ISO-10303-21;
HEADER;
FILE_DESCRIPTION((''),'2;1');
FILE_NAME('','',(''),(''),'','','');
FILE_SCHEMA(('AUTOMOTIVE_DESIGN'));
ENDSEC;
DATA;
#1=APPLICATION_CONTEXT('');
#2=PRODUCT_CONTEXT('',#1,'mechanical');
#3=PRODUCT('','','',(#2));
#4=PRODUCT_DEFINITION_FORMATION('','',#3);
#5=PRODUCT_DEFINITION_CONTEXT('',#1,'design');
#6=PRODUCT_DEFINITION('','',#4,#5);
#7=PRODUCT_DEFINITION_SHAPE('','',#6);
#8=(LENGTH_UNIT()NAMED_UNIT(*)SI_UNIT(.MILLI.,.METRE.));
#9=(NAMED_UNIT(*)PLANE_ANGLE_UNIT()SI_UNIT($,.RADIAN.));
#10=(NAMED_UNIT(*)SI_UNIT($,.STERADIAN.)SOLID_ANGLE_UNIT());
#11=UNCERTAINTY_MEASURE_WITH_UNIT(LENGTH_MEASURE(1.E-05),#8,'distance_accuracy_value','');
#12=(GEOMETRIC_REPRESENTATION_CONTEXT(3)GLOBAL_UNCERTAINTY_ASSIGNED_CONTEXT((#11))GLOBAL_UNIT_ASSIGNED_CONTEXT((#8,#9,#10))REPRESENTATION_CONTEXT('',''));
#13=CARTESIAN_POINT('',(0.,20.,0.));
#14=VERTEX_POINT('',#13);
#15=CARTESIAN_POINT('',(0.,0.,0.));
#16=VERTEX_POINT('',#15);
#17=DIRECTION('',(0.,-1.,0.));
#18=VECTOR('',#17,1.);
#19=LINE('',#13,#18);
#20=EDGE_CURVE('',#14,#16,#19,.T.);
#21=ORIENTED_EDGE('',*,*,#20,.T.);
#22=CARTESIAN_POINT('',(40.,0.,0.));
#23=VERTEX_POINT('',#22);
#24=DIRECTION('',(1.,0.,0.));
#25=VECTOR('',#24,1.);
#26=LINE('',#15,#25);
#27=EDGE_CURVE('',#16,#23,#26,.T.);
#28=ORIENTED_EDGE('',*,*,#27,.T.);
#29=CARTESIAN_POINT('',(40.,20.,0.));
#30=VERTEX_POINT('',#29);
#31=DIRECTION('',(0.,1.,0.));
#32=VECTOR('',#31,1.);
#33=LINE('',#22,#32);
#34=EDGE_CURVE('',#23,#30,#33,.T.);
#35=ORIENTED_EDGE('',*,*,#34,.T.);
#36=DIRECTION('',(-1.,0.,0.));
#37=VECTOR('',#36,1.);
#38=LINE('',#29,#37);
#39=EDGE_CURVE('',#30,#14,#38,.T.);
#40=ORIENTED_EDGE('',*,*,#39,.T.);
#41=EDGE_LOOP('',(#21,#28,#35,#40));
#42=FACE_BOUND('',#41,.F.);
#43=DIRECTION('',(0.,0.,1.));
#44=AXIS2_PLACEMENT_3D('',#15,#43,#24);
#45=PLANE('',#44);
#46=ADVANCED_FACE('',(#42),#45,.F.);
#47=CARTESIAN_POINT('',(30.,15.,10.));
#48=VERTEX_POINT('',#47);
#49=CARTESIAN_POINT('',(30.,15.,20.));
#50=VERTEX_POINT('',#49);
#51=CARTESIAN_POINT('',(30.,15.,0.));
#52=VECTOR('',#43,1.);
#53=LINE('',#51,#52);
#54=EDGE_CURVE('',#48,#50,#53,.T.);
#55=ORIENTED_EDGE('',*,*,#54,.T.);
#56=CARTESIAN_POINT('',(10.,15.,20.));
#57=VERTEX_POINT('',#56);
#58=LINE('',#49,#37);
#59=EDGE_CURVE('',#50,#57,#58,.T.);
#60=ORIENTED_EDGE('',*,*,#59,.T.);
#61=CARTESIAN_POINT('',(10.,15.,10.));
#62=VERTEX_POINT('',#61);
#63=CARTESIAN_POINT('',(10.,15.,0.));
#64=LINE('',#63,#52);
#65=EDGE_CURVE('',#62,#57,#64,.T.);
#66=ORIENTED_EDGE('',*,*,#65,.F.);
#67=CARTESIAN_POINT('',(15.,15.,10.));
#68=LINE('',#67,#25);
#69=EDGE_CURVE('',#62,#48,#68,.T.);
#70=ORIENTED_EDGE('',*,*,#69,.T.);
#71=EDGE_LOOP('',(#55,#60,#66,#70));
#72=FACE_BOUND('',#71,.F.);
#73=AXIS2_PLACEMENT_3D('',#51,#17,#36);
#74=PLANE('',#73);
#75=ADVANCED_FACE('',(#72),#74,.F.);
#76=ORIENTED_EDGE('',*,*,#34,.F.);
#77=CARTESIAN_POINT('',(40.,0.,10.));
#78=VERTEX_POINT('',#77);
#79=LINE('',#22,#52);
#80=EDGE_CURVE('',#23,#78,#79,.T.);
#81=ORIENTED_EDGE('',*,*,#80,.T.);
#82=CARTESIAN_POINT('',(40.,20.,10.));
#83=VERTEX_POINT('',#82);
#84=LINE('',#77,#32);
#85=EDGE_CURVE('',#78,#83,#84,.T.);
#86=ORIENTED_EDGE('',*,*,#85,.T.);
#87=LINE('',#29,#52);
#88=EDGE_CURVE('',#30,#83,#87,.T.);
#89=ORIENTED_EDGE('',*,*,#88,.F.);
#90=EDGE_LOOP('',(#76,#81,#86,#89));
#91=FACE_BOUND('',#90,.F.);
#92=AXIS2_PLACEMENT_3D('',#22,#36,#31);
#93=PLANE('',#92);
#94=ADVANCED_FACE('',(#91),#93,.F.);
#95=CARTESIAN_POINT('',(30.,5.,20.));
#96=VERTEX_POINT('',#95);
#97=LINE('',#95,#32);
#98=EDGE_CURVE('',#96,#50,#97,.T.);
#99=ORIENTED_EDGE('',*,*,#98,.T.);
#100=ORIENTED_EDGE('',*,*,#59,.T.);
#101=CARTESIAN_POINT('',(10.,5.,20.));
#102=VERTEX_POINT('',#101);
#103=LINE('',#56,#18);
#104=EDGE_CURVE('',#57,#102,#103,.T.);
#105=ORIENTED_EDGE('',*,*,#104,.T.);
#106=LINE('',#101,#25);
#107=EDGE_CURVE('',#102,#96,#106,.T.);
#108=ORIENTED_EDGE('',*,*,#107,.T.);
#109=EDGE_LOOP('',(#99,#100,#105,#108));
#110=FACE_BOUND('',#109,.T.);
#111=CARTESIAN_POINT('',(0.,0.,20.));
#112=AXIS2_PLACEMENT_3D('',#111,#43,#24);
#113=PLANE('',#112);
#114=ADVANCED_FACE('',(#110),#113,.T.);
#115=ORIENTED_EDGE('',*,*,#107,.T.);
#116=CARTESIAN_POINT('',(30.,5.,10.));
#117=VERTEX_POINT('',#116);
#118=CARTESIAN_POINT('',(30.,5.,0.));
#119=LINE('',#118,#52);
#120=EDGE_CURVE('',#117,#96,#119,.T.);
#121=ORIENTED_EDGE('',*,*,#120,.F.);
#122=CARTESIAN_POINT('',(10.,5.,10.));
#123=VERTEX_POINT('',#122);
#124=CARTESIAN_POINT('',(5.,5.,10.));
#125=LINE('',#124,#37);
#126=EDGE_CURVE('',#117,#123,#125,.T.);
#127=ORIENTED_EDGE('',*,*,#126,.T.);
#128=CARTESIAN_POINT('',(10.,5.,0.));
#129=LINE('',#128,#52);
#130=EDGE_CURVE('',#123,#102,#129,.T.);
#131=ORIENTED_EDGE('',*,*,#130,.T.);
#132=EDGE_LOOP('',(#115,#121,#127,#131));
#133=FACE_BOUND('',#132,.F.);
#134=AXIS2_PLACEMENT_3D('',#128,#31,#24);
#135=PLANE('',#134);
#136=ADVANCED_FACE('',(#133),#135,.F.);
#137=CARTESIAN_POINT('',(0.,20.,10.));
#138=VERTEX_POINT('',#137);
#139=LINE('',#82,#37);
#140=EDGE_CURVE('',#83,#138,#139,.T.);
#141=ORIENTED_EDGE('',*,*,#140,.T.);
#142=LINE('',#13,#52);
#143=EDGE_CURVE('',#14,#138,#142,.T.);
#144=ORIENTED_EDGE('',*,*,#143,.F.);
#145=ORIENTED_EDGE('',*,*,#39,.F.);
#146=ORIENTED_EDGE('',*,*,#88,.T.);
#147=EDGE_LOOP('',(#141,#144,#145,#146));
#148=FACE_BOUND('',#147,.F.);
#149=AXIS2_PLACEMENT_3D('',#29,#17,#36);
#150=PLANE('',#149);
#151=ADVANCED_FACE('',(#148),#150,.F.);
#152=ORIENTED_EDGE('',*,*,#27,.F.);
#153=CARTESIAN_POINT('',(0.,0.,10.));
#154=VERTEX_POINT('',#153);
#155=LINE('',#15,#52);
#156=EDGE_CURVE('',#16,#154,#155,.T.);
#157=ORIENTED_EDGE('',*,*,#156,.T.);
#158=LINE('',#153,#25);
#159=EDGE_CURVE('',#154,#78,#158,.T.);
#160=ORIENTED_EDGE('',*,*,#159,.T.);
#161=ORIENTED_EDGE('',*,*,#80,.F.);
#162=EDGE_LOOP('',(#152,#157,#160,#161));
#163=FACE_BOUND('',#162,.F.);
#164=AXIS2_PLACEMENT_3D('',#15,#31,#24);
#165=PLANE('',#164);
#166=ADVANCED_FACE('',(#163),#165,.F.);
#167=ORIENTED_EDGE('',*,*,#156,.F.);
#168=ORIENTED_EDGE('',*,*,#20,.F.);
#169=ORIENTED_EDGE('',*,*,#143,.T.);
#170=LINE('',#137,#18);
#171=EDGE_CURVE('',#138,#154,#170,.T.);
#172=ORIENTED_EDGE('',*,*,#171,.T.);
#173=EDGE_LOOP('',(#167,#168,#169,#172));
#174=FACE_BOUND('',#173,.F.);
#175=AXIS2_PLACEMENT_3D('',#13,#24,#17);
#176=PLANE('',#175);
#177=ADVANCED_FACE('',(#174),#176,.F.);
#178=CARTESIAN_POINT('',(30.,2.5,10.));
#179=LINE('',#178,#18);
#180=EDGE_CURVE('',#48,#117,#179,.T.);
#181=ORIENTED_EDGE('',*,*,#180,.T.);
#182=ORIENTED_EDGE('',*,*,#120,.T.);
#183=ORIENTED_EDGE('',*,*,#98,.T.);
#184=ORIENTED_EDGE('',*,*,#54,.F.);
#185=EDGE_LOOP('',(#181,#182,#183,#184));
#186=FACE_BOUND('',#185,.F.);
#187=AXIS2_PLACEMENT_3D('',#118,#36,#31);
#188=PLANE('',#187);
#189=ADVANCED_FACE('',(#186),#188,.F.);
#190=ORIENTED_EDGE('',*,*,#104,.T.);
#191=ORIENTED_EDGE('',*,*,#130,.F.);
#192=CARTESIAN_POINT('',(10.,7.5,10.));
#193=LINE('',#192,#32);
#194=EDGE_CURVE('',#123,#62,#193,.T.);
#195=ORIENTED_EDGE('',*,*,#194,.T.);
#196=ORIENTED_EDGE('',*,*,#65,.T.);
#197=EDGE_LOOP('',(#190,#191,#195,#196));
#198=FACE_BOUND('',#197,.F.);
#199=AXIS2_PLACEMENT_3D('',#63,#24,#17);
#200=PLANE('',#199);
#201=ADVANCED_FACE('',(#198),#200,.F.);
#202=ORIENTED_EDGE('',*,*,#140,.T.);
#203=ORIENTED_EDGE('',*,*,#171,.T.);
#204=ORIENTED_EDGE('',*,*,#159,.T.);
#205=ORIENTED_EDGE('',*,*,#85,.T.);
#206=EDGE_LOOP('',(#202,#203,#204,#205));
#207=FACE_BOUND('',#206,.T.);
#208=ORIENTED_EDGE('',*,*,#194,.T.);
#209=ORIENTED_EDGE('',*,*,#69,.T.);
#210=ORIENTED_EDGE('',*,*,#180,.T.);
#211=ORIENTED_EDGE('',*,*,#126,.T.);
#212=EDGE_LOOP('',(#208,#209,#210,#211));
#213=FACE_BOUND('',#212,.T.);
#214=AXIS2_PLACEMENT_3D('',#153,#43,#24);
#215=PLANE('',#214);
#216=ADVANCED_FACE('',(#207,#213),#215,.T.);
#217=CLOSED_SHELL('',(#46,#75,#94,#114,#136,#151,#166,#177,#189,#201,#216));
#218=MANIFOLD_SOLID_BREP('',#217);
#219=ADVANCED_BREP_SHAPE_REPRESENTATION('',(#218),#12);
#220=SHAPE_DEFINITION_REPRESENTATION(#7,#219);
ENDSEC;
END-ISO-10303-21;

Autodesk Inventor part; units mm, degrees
ref_plane "YZ Plane" through (0, 0, 0) normal (1, 0, 0) x (0, 1, 0)
ref_plane "XZ Plane" through (0, 0, 0) normal (0, 1, 0) x (-1, 0, 0)
ref_plane "XY Plane" through (0, 0, 0) normal (0, 0, 1) x (1, 0, 0)
sketch "Sketch1" plane through (0, 0, 0) normal (0, 0, 1) x (1, 0, 0)
  line L0 (0, 0) -> (40, 0)
  line L1 (40, 0) -> (40, 20)
  line L2 (40, 20) -> (0, 20)
  line L3 (0, 20) -> (0, 0)
extrude "Extrusion1" add sketch "Sketch1" along normal blind 10
sketch "Sketch2" plane through (0, 0, 0) normal (0, 0, 1) x (1, 0, 0)
  line L0 (10, 5) -> (30, 5)
  line L1 (30, 5) -> (30, 15)
  line L2 (30, 15) -> (10, 15)
  line L3 (10, 15) -> (10, 5)
extrude "Extrusion2" add sketch "Sketch2" along normal blind 20
properties part number "14_box_two"
